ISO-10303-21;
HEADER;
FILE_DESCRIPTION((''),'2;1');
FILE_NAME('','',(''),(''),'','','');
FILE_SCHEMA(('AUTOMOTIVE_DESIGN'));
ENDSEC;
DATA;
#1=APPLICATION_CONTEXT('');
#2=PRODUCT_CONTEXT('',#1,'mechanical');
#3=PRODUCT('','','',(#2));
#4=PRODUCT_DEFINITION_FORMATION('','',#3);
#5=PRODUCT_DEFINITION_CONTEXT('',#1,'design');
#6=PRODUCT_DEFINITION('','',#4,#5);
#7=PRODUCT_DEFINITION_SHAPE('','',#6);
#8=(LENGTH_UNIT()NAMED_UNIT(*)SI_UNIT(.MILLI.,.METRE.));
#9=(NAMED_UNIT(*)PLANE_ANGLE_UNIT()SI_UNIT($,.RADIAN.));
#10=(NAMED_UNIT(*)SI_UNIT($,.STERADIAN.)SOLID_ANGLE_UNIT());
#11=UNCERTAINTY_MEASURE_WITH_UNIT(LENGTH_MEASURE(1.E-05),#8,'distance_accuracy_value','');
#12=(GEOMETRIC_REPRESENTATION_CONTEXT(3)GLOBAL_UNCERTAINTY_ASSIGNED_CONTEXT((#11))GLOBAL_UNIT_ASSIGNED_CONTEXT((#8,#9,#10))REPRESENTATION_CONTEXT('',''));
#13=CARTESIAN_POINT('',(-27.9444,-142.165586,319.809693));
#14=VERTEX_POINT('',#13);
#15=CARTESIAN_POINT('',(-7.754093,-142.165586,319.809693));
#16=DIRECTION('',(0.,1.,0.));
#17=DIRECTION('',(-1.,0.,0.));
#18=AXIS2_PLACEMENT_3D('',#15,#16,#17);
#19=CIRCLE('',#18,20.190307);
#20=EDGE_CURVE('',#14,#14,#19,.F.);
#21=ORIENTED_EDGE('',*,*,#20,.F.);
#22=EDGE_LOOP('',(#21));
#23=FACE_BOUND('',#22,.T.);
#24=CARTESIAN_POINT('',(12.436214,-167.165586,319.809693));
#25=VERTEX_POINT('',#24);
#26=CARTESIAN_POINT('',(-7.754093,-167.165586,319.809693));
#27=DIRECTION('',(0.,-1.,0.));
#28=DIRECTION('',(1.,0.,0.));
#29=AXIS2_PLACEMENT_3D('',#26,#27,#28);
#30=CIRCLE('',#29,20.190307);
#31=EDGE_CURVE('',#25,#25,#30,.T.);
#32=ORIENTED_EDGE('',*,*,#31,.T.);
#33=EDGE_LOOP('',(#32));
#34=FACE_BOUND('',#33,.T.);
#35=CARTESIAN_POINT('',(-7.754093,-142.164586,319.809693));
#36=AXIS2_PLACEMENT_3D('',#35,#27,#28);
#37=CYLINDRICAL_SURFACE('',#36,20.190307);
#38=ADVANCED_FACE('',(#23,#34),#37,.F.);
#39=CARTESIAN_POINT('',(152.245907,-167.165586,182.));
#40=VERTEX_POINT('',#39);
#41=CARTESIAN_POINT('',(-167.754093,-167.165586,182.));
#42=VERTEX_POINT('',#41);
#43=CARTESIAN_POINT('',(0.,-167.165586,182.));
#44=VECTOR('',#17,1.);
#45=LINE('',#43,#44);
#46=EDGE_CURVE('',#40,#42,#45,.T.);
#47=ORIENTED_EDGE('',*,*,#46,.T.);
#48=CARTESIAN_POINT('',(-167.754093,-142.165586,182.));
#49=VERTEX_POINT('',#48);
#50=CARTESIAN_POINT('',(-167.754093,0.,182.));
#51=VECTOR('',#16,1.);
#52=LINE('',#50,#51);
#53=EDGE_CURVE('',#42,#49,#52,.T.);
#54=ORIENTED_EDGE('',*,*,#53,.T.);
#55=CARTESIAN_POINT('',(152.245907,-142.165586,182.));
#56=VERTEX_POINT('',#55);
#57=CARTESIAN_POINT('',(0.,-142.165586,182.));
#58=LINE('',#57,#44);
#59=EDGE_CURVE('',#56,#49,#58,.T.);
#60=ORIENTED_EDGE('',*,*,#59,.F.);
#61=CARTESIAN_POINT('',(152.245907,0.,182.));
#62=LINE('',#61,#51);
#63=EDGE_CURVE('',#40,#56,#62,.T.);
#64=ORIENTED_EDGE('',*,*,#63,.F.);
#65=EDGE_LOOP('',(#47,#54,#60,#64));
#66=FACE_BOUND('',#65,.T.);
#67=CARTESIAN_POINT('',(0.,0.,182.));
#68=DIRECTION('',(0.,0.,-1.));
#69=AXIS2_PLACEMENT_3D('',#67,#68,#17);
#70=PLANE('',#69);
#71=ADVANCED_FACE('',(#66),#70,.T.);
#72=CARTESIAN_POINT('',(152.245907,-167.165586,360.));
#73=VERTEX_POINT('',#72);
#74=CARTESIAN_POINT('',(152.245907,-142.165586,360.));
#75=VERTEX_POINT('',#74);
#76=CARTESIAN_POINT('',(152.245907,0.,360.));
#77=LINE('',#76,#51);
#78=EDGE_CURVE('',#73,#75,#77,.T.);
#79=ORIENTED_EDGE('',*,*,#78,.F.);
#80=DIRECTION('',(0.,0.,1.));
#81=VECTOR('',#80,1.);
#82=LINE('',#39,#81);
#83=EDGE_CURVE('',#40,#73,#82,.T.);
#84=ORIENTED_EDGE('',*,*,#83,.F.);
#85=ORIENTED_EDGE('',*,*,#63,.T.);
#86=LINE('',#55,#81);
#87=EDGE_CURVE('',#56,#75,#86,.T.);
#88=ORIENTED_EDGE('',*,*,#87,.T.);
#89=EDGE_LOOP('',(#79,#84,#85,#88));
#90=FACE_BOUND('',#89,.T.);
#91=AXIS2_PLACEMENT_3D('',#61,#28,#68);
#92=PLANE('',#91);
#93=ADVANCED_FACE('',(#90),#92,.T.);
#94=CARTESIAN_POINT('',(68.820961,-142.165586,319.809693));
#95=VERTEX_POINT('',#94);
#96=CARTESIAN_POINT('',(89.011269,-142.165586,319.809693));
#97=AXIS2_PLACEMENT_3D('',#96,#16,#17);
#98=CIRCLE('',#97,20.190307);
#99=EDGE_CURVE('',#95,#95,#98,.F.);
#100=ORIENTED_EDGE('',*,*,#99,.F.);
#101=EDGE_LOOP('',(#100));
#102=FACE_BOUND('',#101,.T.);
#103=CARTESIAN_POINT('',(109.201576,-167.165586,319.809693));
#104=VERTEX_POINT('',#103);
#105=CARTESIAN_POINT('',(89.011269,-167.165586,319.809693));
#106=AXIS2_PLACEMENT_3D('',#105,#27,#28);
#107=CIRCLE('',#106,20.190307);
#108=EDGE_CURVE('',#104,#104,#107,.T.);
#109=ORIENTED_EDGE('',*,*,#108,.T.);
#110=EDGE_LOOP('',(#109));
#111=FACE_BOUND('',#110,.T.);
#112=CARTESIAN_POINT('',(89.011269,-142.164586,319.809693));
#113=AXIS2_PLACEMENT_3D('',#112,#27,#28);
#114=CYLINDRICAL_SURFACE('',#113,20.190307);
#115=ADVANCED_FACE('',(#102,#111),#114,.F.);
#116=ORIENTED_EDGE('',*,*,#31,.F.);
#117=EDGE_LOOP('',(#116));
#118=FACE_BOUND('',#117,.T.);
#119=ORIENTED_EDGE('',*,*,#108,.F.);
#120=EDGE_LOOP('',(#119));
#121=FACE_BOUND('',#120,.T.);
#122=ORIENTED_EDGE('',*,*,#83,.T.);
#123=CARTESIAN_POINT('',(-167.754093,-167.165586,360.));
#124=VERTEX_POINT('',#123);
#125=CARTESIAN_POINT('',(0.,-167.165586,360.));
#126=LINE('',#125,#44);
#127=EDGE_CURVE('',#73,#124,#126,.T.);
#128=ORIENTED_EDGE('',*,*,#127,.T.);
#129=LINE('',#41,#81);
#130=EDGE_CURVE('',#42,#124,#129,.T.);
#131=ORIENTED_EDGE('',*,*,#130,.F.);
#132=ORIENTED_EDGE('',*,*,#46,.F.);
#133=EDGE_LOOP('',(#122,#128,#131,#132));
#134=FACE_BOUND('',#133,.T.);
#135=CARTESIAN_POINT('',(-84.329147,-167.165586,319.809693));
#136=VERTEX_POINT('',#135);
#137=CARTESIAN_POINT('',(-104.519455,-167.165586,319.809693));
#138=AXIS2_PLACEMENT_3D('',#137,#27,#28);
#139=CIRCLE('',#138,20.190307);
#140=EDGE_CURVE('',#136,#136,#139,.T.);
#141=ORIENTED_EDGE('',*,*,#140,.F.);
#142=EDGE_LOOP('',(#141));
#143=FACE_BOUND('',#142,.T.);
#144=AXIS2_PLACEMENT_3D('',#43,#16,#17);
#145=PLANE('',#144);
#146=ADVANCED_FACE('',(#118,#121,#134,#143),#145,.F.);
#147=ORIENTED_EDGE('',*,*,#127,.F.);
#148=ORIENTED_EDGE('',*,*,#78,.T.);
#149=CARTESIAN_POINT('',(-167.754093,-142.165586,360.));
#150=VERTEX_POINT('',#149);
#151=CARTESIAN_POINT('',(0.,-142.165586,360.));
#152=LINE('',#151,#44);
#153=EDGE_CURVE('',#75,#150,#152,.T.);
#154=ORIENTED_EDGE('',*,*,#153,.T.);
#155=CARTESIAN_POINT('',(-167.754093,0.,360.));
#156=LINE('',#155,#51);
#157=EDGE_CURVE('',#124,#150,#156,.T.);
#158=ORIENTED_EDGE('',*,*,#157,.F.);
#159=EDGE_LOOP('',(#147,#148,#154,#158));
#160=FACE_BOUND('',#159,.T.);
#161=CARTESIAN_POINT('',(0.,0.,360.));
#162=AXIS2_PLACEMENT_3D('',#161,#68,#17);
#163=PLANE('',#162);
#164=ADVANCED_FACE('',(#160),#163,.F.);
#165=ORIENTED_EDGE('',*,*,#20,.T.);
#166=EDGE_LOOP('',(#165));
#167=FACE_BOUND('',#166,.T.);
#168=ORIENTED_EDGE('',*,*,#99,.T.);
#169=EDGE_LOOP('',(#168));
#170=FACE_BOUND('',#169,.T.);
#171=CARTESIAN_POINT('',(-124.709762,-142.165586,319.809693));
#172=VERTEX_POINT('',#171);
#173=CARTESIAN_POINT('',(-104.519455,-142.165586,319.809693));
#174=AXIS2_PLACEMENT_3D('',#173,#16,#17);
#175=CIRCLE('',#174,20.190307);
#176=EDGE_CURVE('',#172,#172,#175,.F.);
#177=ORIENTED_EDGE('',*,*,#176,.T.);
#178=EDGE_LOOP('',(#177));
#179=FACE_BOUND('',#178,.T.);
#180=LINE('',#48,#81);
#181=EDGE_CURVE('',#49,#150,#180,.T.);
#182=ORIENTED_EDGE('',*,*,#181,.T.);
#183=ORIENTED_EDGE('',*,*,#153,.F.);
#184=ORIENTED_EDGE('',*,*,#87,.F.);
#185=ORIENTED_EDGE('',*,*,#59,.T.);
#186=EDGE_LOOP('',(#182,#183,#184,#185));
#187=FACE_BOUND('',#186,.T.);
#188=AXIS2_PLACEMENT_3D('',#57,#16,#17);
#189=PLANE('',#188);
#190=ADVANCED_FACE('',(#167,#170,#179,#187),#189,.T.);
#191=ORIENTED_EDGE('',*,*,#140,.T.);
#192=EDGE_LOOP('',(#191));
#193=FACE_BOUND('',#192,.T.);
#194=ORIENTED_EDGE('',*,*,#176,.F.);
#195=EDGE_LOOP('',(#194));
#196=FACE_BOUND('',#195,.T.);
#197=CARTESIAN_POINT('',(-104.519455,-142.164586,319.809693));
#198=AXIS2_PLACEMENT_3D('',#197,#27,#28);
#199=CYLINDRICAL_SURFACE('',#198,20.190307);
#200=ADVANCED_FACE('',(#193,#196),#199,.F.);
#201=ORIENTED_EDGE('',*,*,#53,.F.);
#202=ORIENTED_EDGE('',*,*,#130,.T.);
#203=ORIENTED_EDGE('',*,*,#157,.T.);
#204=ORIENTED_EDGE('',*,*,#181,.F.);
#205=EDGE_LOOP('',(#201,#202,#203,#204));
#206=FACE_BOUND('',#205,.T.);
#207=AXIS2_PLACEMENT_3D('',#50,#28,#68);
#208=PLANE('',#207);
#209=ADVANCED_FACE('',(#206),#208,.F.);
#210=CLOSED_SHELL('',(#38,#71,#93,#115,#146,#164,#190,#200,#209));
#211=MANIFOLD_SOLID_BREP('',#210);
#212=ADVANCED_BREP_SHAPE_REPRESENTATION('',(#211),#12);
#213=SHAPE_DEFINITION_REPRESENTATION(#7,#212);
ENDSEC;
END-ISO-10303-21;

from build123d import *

# Parameters (mm, degrees)
CROQUIS1_W              = 160
CROQUIS1_H              = 25
SALIENTE_EXTRUIR1_DEPTH = 178
CORTAR_EXTRUIR1_REACH   = 399.953
CROQUIS2_R              = 20.190307202


with BuildPart() as part:
    # Croquis1 → Saliente-Extruir1 (new body)
    with BuildSketch(Plane(origin=(0, 0, 360), x_dir=(-1, 0, 0), z_dir=(0, 0, -1))):
        with Locations((-72.245907017, -154.665586138)):
            Rectangle(CROQUIS1_W, CROQUIS1_H)
        with Locations((87.754092983, -154.665586138)):
            Rectangle(CROQUIS1_W, CROQUIS1_H)
    extrude(amount=SALIENTE_EXTRUIR1_DEPTH)

    # Croquis2 → Cortar-Extruir1 (cut, up to next)
    with BuildSketch(Plane.XZ.offset(167.165586138), mode=Mode.PRIVATE) as cortar_extruir1_sk1:
        with Locations((-104.519454625, 319.809692798)):
            Circle(CROQUIS2_R)
    cortar_extruir1_tool1 = extrude(cortar_extruir1_sk1.sketch, amount=-CORTAR_EXTRUIR1_REACH, mode=Mode.PRIVATE) & part.part
    # Croquis2 → Cortar-Extruir1 (cut, up to next)
    with BuildSketch(Plane.XZ.offset(167.165586138), mode=Mode.PRIVATE) as cortar_extruir1_sk2:
        with Locations((-7.754092983, 319.809692798)):
            Circle(CROQUIS2_R)
    cortar_extruir1_tool2 = extrude(cortar_extruir1_sk2.sketch, amount=-CORTAR_EXTRUIR1_REACH, mode=Mode.PRIVATE) & part.part
    # Croquis2 → Cortar-Extruir1 (cut, up to next)
    with BuildSketch(Plane.XZ.offset(167.165586138), mode=Mode.PRIVATE) as cortar_extruir1_sk3:
        with Locations((89.011268658, 319.809692798)):
            Circle(CROQUIS2_R)
    cortar_extruir1_tool3 = extrude(cortar_extruir1_sk3.sketch, amount=-CORTAR_EXTRUIR1_REACH, mode=Mode.PRIVATE) & part.part
    add(cortar_extruir1_tool1.solids().sort_by_distance((-104.519455, -167.165586, 319.809693))[0], mode=Mode.SUBTRACT)
    add(cortar_extruir1_tool2.solids().sort_by_distance((-7.754093, -167.165586, 319.809693))[0], mode=Mode.SUBTRACT)
    add(cortar_extruir1_tool3.solids().sort_by_distance((89.011269, -167.165586, 319.809693))[0], mode=Mode.SUBTRACT)


solid = part.part
